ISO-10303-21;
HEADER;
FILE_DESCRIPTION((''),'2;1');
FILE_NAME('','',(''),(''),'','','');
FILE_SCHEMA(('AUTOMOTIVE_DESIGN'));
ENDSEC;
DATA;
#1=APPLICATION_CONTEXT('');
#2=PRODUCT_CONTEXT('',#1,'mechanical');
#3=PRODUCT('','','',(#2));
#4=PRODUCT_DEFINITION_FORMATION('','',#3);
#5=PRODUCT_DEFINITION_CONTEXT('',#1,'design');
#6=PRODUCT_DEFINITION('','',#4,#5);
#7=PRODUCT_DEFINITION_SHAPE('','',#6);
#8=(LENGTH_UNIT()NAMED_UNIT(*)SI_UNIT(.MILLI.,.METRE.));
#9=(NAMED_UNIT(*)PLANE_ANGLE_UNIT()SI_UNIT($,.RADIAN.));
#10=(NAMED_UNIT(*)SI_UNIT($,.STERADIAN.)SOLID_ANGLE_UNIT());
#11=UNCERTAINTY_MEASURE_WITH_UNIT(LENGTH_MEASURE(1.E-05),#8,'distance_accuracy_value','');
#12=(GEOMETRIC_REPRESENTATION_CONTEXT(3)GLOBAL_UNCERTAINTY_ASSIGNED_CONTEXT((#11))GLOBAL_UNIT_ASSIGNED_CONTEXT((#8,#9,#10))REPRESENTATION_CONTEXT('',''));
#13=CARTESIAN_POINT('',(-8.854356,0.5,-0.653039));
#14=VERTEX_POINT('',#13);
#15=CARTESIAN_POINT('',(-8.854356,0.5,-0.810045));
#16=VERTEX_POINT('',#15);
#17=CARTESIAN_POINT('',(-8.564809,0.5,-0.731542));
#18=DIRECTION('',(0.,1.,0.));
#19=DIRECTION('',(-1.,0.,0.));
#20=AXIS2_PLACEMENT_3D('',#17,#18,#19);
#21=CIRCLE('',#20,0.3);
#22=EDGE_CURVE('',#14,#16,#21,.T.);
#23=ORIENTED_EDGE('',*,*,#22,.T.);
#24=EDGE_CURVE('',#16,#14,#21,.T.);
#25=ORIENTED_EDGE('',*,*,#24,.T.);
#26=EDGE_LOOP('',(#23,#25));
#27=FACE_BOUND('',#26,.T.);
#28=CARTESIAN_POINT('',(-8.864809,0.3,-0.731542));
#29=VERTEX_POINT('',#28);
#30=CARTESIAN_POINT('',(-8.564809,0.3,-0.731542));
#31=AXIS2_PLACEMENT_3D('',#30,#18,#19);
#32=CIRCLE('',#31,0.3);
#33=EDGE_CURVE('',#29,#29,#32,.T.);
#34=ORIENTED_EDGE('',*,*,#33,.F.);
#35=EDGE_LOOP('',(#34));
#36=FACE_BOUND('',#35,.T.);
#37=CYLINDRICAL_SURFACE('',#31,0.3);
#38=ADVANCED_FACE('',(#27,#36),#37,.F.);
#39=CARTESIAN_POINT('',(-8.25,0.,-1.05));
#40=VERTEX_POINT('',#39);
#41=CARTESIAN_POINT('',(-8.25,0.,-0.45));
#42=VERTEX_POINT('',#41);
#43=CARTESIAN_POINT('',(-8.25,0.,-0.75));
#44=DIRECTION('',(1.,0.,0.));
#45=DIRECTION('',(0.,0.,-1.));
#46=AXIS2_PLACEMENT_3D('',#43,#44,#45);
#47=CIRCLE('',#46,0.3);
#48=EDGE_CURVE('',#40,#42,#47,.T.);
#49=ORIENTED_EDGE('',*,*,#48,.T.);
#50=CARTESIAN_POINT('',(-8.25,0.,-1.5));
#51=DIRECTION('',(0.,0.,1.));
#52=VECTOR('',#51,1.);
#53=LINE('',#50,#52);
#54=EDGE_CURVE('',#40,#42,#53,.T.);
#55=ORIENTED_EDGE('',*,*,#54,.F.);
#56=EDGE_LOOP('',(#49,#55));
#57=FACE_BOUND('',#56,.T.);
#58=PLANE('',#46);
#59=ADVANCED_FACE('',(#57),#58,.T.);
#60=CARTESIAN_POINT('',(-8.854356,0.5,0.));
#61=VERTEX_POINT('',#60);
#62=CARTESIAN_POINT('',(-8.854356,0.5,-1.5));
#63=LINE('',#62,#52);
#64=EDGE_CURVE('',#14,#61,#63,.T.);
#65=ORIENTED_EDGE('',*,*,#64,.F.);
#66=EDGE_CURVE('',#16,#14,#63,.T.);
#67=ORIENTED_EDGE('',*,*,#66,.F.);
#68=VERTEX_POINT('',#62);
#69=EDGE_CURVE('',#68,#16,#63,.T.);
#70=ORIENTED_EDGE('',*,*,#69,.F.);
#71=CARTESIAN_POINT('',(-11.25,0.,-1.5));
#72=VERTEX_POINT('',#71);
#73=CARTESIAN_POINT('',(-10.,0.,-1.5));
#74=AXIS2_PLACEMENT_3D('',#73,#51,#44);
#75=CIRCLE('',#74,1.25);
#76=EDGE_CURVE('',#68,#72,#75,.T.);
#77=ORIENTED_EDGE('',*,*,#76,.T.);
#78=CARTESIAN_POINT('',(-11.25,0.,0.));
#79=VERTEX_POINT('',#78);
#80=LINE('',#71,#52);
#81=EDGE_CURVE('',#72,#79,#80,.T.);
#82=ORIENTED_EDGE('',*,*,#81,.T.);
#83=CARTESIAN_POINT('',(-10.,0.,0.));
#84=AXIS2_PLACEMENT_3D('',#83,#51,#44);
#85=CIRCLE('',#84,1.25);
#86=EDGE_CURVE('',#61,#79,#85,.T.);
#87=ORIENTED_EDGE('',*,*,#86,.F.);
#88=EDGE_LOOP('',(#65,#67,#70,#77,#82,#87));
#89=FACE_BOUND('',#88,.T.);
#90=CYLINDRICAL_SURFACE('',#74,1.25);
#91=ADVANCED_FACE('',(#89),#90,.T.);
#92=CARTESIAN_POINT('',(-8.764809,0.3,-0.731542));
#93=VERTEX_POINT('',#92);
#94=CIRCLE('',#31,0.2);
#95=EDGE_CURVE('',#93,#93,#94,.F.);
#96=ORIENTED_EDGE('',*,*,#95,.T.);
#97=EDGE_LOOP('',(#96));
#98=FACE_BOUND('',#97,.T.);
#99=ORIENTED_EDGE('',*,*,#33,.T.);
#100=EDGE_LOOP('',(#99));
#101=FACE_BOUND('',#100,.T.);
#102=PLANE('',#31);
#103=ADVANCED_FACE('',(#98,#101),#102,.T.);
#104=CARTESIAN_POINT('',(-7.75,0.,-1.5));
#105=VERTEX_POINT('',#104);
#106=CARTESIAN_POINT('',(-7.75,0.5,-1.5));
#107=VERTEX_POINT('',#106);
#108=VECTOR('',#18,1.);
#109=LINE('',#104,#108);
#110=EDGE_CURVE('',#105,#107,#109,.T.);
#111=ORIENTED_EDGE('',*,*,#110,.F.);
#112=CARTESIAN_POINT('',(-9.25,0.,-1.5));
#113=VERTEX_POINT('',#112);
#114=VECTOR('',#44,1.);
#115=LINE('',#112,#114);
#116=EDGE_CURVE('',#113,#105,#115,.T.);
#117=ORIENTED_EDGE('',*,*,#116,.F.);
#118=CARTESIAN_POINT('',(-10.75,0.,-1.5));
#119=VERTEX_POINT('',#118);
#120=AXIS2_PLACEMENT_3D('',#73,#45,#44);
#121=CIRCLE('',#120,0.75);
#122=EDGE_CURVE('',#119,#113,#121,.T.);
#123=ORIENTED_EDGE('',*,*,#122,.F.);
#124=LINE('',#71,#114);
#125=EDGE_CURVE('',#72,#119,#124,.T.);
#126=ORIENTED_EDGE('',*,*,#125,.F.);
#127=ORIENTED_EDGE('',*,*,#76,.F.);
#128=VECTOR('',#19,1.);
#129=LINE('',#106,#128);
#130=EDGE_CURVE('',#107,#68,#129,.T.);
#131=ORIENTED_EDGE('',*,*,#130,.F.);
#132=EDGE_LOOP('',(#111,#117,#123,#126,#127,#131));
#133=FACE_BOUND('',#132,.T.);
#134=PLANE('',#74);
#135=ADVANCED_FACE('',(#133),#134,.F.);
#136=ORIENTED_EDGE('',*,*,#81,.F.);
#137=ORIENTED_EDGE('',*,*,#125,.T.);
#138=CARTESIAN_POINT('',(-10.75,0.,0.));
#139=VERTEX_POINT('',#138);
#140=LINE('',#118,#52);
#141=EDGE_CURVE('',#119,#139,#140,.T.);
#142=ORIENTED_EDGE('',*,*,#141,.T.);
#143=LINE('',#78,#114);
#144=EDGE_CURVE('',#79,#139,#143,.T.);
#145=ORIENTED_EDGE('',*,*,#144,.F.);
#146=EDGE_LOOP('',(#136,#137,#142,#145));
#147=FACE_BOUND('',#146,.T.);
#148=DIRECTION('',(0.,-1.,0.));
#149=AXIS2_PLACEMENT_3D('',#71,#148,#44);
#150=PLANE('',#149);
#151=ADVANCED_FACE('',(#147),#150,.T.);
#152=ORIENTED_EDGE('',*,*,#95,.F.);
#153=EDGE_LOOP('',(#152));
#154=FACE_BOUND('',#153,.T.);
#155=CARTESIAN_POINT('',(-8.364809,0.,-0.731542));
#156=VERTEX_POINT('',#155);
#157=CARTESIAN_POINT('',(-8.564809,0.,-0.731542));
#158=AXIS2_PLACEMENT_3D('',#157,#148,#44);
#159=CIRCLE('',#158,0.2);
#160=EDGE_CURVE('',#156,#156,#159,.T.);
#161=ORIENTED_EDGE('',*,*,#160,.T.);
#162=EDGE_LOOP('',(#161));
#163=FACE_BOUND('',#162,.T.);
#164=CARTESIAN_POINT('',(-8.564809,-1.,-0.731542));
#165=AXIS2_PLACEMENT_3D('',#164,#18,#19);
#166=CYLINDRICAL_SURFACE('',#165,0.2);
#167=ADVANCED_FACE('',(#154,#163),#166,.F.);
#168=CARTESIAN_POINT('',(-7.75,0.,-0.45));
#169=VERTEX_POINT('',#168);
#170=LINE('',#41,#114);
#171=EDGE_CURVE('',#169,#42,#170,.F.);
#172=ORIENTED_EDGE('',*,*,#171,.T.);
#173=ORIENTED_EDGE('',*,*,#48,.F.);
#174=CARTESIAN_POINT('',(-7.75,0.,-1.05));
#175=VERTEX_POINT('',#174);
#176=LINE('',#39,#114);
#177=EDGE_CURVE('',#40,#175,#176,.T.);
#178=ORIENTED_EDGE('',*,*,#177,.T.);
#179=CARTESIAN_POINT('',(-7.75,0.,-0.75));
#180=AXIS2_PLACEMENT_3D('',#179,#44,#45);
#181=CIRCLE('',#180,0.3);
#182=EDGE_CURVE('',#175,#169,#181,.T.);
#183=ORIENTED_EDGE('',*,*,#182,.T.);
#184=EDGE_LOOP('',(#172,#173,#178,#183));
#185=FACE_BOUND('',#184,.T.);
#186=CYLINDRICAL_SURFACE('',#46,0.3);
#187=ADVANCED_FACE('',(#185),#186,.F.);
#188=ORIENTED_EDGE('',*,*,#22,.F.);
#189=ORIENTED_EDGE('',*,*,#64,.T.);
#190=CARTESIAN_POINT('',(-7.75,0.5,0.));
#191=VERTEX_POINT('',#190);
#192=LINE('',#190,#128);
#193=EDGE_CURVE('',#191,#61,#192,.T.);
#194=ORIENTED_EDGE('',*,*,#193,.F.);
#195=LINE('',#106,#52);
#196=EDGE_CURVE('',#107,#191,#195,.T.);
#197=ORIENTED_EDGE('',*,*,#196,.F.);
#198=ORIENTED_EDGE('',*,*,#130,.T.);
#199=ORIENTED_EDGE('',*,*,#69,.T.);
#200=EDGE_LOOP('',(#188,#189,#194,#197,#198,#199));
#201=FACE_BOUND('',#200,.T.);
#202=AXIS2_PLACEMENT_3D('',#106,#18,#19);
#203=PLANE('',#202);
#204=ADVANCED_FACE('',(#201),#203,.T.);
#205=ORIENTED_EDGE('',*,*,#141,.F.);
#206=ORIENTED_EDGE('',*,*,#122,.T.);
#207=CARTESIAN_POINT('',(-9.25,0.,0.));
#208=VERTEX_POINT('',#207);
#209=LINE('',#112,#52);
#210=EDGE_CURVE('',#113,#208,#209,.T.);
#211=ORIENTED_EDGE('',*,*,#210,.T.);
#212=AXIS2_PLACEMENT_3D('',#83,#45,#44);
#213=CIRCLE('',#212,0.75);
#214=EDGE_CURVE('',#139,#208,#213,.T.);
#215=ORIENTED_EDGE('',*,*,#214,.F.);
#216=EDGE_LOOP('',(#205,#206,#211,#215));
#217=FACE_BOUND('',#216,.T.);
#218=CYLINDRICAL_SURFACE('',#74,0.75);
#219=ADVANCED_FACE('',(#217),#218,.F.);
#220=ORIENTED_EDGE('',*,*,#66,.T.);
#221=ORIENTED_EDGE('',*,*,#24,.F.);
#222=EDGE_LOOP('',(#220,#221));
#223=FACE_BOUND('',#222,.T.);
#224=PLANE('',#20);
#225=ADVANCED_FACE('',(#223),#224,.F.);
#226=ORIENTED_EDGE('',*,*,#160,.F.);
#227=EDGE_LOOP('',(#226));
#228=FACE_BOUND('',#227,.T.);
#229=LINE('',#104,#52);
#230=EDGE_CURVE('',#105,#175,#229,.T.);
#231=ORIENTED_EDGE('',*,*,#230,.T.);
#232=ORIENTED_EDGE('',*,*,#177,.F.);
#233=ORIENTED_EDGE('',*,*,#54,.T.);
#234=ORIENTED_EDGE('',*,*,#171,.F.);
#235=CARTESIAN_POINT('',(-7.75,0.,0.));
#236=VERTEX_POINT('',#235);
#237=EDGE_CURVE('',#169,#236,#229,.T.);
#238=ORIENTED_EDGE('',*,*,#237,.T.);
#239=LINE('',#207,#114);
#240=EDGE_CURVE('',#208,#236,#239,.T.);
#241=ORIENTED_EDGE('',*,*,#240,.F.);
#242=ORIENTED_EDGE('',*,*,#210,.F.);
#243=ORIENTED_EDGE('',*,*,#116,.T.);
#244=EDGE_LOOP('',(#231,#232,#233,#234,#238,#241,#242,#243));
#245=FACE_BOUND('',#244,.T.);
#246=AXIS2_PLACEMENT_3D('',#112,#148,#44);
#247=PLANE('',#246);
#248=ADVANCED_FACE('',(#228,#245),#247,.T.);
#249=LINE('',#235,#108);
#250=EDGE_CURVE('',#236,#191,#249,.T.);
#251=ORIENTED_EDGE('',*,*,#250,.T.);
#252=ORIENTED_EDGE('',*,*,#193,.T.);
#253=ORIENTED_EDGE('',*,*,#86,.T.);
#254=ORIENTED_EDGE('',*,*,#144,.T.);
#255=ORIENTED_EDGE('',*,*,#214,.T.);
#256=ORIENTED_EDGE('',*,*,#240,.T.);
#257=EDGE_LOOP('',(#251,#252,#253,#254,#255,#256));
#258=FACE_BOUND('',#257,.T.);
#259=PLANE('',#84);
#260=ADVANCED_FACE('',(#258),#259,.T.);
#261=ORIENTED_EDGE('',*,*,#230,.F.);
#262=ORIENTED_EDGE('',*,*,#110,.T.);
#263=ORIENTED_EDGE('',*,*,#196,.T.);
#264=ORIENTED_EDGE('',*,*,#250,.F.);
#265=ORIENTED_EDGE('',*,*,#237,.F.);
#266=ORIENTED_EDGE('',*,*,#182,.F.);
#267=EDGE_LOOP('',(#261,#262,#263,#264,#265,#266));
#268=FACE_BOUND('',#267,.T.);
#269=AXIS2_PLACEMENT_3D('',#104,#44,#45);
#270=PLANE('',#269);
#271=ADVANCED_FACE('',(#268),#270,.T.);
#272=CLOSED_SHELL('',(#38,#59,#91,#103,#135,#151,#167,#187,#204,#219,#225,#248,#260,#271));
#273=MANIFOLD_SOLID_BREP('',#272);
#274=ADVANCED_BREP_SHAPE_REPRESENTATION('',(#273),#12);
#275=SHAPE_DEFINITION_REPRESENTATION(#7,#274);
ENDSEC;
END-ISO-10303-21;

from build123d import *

# Parameters (mm, degrees)
EXTRUDE_1_DEPTH     = 1.5
SKETCH_3_R          = 0.2
CUT_EXTRUDE_1_DEPTH = 1.5
SKETCH_4_R          = 0.3
CUT_EXTRUDE_2_DEPTH = 0.5
SKETCH_5_R          = 0.3
CUT_EXTRUDE_3_DEPTH = 0.2


with BuildPart() as part:
    # 草图2 → 凸台-拉伸1 (new body)
    with BuildSketch(Plane.XY):
        with BuildLine():
            Line((-11.25, 0), (-10.75, 0))
            ThreePointArc((-10.75, 0), (-10, 0.75), (-9.25, 0))
            Line((-9.25, 0), (-7.75, 0))
            Line((-7.75, 0), (-7.75, 0.5))
            Line((-7.75, 0.5), (-8.854356076, 0.5))
            ThreePointArc((-8.854356076, 0.5), (-10.255387055, 1.223632891), (-11.25, 0))
        make_face()
    extrude(amount=-EXTRUDE_1_DEPTH)

    # 草图3 → 切除-拉伸1 (cut)
    with BuildSketch(Plane(origin=(0, 0.5, 0), x_dir=(1, 0, 0), z_dir=(0, 1, 0))):
        with Locations((-8.564809318, 0.731541815)):
            Circle(SKETCH_3_R)
    extrude(amount=-CUT_EXTRUDE_1_DEPTH, mode=Mode.SUBTRACT)

    # 草图4 → 切除-拉伸2 (cut)
    with BuildSketch(Plane(origin=(-7.75, 0, 0), x_dir=(0, 0, -1), z_dir=(1, 0, 0))):
        with Locations((0.75, 0)):
            Circle(SKETCH_4_R)
    extrude(amount=-CUT_EXTRUDE_2_DEPTH, mode=Mode.SUBTRACT)

    # 草图5 → 切除-拉伸3 (cut)
    with BuildSketch(Plane(origin=(0, 0.5, 0), x_dir=(1, 0, 0), z_dir=(0, 1, 0))):
        with Locations((-8.564809318, 0.731541815)):
            Circle(SKETCH_5_R)
    extrude(amount=-CUT_EXTRUDE_3_DEPTH, mode=Mode.SUBTRACT)


solid = part.part
